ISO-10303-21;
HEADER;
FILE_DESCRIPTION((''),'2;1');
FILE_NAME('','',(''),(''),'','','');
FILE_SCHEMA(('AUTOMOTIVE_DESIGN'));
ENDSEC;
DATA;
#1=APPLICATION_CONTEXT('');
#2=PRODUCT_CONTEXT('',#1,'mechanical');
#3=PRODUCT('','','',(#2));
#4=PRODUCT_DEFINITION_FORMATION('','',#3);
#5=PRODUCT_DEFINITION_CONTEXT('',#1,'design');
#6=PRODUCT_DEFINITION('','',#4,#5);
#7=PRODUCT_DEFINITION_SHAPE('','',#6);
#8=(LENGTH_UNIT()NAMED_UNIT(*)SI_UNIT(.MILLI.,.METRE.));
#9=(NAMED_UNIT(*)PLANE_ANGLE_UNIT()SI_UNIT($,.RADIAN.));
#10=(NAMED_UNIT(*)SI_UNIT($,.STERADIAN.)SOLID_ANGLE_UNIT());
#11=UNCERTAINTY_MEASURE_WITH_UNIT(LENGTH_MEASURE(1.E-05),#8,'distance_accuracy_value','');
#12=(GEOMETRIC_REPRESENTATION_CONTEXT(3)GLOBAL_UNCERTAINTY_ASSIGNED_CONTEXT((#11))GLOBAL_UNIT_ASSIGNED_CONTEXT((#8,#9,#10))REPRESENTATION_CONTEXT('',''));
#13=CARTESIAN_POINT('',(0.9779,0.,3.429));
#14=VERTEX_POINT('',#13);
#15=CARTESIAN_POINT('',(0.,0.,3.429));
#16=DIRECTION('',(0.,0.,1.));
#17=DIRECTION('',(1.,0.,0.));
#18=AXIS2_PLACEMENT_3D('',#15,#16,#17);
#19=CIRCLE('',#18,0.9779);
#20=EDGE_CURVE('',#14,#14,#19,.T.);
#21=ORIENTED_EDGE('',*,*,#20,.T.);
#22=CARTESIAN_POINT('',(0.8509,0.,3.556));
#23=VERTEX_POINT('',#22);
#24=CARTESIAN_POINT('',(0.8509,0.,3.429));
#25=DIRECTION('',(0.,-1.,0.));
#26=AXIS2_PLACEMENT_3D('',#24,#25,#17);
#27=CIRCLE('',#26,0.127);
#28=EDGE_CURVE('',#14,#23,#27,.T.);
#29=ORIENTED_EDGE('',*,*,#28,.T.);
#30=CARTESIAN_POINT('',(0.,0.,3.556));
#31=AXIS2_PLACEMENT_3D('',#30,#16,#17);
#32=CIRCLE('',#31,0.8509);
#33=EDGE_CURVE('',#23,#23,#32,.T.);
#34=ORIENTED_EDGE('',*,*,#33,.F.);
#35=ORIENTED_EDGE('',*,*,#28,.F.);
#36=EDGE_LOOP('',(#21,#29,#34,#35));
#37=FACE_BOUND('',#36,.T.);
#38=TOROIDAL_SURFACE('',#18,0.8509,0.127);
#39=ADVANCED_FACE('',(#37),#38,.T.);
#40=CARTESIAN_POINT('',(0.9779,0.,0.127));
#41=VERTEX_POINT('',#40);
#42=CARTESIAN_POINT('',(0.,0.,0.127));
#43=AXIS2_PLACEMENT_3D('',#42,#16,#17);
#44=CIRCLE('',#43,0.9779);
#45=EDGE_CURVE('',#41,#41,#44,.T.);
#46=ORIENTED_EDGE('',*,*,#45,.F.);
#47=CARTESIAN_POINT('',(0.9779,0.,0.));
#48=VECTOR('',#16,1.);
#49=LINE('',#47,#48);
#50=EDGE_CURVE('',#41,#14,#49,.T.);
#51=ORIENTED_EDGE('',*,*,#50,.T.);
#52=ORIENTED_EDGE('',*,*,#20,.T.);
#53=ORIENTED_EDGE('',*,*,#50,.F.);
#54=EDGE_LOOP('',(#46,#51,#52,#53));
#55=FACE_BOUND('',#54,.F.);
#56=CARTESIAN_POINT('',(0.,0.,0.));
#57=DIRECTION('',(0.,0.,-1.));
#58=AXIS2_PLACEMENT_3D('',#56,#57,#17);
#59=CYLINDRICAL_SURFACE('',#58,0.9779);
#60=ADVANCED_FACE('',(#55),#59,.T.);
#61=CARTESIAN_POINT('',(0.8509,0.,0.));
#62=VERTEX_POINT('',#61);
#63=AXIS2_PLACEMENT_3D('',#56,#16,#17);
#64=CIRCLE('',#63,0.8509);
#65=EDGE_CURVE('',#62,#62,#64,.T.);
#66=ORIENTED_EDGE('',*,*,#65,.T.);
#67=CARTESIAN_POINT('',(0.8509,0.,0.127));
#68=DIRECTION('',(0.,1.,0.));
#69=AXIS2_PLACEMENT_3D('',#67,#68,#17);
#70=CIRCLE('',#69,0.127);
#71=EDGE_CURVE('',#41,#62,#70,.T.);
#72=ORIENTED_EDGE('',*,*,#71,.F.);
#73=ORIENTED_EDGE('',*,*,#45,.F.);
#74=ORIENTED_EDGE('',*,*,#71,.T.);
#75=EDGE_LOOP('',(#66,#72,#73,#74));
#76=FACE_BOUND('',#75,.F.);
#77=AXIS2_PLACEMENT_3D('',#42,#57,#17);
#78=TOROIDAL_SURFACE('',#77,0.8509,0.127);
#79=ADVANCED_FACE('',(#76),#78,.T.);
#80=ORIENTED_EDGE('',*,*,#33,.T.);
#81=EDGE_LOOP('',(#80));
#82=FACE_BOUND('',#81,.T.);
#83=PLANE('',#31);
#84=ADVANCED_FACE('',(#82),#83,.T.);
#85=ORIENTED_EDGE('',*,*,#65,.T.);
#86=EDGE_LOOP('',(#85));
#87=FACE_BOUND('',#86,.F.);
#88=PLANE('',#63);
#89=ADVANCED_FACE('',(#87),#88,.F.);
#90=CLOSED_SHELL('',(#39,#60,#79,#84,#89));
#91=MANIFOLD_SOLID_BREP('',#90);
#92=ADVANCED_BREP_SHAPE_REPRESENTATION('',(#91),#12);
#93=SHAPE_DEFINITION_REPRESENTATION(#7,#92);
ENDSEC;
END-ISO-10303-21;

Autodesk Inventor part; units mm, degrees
ref_plane "YZ Plane" through (0, 0, 0) normal (1, 0, 0) x (0, 1, 0)
ref_plane "XZ Plane" through (0, 0, 0) normal (0, 1, 0) x (-1, 0, 0)
ref_plane "XY Plane" through (0, 0, 0) normal (0, 0, 1) x (1, 0, 0)
sketch "Sketch1" plane through (0, 0, 0) normal (0, 0, 1) x (1, 0, 0)
  circle A0 centre (0, 0) radius 0.9779
  dimension "d0" = 1.9558
extrude "Extrusion1" add sketch "Sketch1" along normal blind 3.556
fillet "Fillet1" radius 0.127 2 edges at (-0.9779, 0, 3.556) (-0.9779, 0, 0)
properties part number "pin 2" material "Aluminum 6061"
